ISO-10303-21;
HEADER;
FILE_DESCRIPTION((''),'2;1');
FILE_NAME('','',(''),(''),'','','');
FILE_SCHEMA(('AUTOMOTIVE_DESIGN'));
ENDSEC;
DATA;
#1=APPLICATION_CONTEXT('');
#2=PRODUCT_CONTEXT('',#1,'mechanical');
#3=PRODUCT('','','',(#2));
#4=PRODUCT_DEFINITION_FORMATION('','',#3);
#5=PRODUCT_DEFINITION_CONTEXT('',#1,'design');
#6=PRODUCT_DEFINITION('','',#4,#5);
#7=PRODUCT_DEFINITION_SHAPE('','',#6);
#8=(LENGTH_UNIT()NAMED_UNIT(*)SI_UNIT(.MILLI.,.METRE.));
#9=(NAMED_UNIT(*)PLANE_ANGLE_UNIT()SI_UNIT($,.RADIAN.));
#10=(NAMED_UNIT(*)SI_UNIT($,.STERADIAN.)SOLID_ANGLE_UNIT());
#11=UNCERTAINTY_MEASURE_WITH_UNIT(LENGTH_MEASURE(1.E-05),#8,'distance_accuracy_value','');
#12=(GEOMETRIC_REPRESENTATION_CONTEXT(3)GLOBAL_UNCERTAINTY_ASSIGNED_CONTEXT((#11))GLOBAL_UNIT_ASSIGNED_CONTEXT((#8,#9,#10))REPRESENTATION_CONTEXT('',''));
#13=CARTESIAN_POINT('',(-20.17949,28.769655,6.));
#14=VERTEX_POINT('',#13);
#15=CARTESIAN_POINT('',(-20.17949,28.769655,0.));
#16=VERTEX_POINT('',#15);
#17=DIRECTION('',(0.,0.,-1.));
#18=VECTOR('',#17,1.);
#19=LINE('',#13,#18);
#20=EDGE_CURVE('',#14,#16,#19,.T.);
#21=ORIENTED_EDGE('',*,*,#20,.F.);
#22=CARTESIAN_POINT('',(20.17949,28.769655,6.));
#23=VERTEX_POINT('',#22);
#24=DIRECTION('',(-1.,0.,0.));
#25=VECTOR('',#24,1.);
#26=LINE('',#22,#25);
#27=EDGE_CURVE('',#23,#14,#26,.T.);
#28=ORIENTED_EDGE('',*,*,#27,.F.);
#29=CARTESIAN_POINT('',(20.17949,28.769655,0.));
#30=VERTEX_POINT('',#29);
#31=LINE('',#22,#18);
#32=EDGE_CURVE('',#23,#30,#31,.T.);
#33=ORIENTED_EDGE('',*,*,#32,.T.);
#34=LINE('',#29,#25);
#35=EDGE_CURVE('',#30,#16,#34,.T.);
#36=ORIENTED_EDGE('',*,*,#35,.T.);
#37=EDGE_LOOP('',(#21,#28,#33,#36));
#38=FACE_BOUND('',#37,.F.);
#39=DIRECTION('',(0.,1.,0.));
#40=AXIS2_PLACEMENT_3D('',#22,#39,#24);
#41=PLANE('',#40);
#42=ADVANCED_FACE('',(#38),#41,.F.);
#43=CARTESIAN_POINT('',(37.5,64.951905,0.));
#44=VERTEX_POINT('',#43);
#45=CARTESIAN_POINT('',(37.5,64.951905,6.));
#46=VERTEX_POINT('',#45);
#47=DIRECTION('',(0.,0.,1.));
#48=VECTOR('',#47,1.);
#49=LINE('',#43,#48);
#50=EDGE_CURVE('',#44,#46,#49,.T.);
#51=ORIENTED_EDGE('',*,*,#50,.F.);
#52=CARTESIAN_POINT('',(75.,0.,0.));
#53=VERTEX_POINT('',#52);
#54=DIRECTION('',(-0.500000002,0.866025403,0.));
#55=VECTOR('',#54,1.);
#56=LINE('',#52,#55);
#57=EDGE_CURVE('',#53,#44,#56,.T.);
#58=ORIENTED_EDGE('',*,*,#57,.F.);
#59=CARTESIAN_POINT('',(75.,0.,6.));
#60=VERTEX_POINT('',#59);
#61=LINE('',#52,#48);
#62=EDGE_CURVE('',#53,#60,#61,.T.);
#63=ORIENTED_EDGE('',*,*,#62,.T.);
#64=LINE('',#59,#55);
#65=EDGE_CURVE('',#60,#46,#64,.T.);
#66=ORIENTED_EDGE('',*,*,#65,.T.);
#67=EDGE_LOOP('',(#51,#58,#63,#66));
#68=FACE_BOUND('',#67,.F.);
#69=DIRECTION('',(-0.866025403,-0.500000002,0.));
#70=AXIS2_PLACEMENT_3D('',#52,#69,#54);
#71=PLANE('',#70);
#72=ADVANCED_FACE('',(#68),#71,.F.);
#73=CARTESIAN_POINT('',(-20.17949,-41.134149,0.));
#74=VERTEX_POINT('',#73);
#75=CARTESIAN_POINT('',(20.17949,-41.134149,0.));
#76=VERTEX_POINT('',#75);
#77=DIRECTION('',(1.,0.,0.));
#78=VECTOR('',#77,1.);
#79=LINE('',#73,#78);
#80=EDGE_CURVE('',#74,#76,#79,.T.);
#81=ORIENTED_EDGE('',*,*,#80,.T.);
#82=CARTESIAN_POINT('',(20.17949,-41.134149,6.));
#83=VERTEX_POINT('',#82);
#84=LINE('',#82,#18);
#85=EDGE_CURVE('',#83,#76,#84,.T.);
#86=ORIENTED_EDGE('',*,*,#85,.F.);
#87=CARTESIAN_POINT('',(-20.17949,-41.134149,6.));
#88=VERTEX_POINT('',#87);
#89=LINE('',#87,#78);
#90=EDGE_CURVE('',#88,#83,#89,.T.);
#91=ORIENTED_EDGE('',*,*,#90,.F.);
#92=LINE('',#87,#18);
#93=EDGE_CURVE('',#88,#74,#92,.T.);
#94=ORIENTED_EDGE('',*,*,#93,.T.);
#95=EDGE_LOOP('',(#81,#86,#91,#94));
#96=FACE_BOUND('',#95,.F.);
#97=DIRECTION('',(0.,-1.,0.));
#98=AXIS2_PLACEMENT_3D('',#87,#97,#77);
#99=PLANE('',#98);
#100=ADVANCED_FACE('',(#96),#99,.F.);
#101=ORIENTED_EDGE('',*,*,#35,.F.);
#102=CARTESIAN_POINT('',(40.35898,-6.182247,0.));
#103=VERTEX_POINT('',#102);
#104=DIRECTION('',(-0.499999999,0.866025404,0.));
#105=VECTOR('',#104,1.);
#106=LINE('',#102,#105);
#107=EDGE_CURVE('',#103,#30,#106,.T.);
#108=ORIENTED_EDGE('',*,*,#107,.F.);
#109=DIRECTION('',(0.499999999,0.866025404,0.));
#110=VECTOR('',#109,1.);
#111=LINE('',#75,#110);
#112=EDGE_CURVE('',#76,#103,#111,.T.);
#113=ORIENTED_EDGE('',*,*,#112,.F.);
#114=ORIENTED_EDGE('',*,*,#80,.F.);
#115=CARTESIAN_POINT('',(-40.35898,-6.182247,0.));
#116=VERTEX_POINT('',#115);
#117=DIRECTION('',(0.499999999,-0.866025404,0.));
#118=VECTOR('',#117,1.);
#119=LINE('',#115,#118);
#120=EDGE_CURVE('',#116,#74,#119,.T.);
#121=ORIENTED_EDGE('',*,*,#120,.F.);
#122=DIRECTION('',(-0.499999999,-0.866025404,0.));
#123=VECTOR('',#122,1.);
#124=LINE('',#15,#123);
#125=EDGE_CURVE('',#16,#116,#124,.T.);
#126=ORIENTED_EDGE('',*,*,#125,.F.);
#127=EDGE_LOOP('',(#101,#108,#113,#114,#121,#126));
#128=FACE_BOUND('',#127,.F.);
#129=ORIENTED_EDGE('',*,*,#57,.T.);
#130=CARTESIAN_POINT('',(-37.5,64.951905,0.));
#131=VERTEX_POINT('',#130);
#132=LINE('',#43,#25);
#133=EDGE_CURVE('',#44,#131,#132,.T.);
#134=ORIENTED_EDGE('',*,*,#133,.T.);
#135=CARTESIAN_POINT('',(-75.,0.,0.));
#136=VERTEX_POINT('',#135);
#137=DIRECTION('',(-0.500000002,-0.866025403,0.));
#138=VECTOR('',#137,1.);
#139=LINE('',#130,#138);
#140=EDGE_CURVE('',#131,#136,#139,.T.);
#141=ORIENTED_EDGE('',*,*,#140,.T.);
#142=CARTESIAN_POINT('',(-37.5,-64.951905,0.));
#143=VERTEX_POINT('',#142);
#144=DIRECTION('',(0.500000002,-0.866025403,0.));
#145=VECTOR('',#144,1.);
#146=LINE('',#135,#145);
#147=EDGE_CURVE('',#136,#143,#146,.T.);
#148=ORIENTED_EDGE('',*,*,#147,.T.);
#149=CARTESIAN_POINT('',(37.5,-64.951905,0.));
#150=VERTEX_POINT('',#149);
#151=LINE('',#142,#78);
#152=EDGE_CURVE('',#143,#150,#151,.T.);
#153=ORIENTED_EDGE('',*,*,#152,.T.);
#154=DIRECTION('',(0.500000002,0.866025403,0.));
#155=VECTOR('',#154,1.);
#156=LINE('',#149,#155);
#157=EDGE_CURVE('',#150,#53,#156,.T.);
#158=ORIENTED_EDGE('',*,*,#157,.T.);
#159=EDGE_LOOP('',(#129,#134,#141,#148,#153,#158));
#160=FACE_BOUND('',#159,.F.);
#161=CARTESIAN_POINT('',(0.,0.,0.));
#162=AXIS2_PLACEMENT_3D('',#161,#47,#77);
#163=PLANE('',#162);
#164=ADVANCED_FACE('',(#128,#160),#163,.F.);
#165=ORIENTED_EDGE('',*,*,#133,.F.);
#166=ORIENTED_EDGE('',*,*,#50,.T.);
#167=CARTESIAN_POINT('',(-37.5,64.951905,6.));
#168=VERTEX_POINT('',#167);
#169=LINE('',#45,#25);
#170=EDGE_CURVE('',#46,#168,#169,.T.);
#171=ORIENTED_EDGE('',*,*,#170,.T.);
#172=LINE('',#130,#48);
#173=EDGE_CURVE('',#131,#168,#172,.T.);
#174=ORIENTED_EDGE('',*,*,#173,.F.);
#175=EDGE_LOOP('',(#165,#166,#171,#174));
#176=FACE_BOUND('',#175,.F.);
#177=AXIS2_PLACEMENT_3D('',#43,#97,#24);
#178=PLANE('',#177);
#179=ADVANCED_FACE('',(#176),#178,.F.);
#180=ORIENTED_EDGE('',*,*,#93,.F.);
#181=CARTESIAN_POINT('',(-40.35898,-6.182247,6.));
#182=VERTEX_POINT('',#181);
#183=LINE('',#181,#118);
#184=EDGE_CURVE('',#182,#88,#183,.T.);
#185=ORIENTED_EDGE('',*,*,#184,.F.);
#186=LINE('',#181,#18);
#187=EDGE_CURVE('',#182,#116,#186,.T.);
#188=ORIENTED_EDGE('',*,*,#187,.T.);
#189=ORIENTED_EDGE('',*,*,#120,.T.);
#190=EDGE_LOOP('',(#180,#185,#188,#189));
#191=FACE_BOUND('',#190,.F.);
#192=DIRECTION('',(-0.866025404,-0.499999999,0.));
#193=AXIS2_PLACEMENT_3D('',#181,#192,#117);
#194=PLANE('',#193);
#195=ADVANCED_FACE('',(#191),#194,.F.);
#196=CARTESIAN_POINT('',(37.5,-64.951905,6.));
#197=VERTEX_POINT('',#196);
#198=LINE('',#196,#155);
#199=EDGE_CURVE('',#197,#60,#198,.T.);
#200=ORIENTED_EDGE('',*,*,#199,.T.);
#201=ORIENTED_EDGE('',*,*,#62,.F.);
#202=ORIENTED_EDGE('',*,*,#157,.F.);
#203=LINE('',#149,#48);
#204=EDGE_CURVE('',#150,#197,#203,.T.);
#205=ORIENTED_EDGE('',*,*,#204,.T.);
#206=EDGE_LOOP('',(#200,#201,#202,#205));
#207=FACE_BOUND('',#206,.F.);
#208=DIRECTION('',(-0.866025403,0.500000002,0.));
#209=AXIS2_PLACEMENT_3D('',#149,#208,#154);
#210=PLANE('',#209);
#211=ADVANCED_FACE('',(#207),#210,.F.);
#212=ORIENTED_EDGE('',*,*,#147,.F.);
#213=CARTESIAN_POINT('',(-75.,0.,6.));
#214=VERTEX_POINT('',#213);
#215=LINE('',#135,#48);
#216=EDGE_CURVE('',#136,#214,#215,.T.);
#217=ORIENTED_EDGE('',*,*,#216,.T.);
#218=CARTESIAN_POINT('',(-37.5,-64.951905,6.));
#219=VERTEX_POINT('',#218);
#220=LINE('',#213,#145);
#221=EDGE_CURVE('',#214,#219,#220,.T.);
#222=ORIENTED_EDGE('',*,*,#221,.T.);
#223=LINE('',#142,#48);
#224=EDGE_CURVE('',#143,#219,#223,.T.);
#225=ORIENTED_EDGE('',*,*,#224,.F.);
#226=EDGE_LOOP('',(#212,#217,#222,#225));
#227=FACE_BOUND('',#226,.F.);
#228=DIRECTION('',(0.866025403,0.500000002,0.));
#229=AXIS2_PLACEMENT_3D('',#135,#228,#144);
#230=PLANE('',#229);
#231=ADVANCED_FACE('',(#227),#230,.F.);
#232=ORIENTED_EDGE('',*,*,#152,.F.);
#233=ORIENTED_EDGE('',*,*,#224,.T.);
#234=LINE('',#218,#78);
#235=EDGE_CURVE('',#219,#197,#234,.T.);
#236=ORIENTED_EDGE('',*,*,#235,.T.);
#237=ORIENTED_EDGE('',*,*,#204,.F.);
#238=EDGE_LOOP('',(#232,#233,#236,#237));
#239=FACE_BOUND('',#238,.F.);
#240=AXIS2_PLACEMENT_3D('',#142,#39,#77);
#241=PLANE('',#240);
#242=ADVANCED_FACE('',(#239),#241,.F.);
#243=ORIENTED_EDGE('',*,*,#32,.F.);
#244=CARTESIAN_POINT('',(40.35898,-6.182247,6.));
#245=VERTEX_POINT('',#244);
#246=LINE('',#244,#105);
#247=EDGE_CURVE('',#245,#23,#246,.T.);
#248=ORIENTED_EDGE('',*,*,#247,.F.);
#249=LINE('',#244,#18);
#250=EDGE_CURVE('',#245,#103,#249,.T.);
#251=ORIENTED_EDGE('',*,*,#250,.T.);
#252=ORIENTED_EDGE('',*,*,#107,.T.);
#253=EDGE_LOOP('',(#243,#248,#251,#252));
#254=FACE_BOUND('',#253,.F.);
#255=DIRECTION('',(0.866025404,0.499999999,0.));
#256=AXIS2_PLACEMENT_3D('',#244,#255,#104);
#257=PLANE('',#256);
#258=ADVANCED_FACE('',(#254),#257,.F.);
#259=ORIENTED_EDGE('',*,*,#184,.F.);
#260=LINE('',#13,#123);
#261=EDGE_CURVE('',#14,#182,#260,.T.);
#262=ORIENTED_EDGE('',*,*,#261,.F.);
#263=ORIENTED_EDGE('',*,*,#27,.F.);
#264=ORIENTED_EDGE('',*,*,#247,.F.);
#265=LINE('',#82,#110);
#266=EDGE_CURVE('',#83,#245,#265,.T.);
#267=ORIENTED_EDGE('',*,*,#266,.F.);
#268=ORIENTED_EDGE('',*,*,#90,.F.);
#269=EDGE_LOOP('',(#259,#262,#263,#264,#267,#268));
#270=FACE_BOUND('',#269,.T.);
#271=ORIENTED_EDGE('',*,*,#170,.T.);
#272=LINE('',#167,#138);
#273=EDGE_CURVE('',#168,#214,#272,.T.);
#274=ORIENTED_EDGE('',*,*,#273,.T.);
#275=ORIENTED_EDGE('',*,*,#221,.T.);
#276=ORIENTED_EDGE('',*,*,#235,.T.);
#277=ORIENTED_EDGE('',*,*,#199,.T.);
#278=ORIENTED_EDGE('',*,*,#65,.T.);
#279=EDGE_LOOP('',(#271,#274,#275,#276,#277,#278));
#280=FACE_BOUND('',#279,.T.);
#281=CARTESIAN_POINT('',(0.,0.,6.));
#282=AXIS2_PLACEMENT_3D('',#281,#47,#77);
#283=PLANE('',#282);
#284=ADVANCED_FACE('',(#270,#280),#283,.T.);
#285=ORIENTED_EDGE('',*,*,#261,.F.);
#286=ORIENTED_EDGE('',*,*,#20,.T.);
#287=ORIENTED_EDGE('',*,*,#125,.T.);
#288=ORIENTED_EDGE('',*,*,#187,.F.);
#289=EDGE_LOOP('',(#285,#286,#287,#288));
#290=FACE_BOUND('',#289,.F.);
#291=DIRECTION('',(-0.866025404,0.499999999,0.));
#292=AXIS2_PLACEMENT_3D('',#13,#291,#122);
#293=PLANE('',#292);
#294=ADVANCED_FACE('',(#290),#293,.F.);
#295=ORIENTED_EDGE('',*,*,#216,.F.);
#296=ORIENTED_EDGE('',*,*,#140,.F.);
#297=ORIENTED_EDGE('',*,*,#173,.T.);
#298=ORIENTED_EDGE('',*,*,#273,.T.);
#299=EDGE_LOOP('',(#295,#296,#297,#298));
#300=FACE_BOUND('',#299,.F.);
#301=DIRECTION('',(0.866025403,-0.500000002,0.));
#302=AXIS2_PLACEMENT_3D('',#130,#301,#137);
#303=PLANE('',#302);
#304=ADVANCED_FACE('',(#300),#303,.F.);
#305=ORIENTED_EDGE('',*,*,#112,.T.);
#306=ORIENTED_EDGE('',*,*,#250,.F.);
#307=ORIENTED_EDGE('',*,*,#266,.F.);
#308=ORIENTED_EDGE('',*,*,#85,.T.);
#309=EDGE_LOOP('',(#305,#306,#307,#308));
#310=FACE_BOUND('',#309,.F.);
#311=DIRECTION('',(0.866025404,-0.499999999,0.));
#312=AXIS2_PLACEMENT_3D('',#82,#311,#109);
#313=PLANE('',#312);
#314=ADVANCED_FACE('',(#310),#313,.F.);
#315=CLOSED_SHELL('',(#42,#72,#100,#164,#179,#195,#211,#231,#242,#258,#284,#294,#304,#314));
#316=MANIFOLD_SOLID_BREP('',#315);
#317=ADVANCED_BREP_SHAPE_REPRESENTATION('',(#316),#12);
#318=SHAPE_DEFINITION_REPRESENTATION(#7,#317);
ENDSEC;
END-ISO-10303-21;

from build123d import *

# Parameters (mm, degrees)
F1_DEPTH = 6
F3_DEPTH = 6


with BuildPart() as f1:
    # F0 (on Top) → F1 (new body)
    with BuildSketch(Plane.XY):
        Polygon((75, 0), (37.5, 64.951905), (-37.5, 64.951905), (-75, 0), (-37.5, -64.951905), (37.5, -64.951905), align=None)
    extrude(amount=F1_DEPTH)

    # F2 (on face) → F3 (cut, through all)
    with BuildSketch(Plane.XY.offset(6)):
        Polygon((40.35898, -6.182247), (20.17949, 28.769655), (-20.17949, 28.769655), (-40.35898, -6.182247), (-20.17949, -41.134149), (20.17949, -41.134149), align=None)
    extrude(amount=-F3_DEPTH, mode=Mode.SUBTRACT)


solid = f1.part
